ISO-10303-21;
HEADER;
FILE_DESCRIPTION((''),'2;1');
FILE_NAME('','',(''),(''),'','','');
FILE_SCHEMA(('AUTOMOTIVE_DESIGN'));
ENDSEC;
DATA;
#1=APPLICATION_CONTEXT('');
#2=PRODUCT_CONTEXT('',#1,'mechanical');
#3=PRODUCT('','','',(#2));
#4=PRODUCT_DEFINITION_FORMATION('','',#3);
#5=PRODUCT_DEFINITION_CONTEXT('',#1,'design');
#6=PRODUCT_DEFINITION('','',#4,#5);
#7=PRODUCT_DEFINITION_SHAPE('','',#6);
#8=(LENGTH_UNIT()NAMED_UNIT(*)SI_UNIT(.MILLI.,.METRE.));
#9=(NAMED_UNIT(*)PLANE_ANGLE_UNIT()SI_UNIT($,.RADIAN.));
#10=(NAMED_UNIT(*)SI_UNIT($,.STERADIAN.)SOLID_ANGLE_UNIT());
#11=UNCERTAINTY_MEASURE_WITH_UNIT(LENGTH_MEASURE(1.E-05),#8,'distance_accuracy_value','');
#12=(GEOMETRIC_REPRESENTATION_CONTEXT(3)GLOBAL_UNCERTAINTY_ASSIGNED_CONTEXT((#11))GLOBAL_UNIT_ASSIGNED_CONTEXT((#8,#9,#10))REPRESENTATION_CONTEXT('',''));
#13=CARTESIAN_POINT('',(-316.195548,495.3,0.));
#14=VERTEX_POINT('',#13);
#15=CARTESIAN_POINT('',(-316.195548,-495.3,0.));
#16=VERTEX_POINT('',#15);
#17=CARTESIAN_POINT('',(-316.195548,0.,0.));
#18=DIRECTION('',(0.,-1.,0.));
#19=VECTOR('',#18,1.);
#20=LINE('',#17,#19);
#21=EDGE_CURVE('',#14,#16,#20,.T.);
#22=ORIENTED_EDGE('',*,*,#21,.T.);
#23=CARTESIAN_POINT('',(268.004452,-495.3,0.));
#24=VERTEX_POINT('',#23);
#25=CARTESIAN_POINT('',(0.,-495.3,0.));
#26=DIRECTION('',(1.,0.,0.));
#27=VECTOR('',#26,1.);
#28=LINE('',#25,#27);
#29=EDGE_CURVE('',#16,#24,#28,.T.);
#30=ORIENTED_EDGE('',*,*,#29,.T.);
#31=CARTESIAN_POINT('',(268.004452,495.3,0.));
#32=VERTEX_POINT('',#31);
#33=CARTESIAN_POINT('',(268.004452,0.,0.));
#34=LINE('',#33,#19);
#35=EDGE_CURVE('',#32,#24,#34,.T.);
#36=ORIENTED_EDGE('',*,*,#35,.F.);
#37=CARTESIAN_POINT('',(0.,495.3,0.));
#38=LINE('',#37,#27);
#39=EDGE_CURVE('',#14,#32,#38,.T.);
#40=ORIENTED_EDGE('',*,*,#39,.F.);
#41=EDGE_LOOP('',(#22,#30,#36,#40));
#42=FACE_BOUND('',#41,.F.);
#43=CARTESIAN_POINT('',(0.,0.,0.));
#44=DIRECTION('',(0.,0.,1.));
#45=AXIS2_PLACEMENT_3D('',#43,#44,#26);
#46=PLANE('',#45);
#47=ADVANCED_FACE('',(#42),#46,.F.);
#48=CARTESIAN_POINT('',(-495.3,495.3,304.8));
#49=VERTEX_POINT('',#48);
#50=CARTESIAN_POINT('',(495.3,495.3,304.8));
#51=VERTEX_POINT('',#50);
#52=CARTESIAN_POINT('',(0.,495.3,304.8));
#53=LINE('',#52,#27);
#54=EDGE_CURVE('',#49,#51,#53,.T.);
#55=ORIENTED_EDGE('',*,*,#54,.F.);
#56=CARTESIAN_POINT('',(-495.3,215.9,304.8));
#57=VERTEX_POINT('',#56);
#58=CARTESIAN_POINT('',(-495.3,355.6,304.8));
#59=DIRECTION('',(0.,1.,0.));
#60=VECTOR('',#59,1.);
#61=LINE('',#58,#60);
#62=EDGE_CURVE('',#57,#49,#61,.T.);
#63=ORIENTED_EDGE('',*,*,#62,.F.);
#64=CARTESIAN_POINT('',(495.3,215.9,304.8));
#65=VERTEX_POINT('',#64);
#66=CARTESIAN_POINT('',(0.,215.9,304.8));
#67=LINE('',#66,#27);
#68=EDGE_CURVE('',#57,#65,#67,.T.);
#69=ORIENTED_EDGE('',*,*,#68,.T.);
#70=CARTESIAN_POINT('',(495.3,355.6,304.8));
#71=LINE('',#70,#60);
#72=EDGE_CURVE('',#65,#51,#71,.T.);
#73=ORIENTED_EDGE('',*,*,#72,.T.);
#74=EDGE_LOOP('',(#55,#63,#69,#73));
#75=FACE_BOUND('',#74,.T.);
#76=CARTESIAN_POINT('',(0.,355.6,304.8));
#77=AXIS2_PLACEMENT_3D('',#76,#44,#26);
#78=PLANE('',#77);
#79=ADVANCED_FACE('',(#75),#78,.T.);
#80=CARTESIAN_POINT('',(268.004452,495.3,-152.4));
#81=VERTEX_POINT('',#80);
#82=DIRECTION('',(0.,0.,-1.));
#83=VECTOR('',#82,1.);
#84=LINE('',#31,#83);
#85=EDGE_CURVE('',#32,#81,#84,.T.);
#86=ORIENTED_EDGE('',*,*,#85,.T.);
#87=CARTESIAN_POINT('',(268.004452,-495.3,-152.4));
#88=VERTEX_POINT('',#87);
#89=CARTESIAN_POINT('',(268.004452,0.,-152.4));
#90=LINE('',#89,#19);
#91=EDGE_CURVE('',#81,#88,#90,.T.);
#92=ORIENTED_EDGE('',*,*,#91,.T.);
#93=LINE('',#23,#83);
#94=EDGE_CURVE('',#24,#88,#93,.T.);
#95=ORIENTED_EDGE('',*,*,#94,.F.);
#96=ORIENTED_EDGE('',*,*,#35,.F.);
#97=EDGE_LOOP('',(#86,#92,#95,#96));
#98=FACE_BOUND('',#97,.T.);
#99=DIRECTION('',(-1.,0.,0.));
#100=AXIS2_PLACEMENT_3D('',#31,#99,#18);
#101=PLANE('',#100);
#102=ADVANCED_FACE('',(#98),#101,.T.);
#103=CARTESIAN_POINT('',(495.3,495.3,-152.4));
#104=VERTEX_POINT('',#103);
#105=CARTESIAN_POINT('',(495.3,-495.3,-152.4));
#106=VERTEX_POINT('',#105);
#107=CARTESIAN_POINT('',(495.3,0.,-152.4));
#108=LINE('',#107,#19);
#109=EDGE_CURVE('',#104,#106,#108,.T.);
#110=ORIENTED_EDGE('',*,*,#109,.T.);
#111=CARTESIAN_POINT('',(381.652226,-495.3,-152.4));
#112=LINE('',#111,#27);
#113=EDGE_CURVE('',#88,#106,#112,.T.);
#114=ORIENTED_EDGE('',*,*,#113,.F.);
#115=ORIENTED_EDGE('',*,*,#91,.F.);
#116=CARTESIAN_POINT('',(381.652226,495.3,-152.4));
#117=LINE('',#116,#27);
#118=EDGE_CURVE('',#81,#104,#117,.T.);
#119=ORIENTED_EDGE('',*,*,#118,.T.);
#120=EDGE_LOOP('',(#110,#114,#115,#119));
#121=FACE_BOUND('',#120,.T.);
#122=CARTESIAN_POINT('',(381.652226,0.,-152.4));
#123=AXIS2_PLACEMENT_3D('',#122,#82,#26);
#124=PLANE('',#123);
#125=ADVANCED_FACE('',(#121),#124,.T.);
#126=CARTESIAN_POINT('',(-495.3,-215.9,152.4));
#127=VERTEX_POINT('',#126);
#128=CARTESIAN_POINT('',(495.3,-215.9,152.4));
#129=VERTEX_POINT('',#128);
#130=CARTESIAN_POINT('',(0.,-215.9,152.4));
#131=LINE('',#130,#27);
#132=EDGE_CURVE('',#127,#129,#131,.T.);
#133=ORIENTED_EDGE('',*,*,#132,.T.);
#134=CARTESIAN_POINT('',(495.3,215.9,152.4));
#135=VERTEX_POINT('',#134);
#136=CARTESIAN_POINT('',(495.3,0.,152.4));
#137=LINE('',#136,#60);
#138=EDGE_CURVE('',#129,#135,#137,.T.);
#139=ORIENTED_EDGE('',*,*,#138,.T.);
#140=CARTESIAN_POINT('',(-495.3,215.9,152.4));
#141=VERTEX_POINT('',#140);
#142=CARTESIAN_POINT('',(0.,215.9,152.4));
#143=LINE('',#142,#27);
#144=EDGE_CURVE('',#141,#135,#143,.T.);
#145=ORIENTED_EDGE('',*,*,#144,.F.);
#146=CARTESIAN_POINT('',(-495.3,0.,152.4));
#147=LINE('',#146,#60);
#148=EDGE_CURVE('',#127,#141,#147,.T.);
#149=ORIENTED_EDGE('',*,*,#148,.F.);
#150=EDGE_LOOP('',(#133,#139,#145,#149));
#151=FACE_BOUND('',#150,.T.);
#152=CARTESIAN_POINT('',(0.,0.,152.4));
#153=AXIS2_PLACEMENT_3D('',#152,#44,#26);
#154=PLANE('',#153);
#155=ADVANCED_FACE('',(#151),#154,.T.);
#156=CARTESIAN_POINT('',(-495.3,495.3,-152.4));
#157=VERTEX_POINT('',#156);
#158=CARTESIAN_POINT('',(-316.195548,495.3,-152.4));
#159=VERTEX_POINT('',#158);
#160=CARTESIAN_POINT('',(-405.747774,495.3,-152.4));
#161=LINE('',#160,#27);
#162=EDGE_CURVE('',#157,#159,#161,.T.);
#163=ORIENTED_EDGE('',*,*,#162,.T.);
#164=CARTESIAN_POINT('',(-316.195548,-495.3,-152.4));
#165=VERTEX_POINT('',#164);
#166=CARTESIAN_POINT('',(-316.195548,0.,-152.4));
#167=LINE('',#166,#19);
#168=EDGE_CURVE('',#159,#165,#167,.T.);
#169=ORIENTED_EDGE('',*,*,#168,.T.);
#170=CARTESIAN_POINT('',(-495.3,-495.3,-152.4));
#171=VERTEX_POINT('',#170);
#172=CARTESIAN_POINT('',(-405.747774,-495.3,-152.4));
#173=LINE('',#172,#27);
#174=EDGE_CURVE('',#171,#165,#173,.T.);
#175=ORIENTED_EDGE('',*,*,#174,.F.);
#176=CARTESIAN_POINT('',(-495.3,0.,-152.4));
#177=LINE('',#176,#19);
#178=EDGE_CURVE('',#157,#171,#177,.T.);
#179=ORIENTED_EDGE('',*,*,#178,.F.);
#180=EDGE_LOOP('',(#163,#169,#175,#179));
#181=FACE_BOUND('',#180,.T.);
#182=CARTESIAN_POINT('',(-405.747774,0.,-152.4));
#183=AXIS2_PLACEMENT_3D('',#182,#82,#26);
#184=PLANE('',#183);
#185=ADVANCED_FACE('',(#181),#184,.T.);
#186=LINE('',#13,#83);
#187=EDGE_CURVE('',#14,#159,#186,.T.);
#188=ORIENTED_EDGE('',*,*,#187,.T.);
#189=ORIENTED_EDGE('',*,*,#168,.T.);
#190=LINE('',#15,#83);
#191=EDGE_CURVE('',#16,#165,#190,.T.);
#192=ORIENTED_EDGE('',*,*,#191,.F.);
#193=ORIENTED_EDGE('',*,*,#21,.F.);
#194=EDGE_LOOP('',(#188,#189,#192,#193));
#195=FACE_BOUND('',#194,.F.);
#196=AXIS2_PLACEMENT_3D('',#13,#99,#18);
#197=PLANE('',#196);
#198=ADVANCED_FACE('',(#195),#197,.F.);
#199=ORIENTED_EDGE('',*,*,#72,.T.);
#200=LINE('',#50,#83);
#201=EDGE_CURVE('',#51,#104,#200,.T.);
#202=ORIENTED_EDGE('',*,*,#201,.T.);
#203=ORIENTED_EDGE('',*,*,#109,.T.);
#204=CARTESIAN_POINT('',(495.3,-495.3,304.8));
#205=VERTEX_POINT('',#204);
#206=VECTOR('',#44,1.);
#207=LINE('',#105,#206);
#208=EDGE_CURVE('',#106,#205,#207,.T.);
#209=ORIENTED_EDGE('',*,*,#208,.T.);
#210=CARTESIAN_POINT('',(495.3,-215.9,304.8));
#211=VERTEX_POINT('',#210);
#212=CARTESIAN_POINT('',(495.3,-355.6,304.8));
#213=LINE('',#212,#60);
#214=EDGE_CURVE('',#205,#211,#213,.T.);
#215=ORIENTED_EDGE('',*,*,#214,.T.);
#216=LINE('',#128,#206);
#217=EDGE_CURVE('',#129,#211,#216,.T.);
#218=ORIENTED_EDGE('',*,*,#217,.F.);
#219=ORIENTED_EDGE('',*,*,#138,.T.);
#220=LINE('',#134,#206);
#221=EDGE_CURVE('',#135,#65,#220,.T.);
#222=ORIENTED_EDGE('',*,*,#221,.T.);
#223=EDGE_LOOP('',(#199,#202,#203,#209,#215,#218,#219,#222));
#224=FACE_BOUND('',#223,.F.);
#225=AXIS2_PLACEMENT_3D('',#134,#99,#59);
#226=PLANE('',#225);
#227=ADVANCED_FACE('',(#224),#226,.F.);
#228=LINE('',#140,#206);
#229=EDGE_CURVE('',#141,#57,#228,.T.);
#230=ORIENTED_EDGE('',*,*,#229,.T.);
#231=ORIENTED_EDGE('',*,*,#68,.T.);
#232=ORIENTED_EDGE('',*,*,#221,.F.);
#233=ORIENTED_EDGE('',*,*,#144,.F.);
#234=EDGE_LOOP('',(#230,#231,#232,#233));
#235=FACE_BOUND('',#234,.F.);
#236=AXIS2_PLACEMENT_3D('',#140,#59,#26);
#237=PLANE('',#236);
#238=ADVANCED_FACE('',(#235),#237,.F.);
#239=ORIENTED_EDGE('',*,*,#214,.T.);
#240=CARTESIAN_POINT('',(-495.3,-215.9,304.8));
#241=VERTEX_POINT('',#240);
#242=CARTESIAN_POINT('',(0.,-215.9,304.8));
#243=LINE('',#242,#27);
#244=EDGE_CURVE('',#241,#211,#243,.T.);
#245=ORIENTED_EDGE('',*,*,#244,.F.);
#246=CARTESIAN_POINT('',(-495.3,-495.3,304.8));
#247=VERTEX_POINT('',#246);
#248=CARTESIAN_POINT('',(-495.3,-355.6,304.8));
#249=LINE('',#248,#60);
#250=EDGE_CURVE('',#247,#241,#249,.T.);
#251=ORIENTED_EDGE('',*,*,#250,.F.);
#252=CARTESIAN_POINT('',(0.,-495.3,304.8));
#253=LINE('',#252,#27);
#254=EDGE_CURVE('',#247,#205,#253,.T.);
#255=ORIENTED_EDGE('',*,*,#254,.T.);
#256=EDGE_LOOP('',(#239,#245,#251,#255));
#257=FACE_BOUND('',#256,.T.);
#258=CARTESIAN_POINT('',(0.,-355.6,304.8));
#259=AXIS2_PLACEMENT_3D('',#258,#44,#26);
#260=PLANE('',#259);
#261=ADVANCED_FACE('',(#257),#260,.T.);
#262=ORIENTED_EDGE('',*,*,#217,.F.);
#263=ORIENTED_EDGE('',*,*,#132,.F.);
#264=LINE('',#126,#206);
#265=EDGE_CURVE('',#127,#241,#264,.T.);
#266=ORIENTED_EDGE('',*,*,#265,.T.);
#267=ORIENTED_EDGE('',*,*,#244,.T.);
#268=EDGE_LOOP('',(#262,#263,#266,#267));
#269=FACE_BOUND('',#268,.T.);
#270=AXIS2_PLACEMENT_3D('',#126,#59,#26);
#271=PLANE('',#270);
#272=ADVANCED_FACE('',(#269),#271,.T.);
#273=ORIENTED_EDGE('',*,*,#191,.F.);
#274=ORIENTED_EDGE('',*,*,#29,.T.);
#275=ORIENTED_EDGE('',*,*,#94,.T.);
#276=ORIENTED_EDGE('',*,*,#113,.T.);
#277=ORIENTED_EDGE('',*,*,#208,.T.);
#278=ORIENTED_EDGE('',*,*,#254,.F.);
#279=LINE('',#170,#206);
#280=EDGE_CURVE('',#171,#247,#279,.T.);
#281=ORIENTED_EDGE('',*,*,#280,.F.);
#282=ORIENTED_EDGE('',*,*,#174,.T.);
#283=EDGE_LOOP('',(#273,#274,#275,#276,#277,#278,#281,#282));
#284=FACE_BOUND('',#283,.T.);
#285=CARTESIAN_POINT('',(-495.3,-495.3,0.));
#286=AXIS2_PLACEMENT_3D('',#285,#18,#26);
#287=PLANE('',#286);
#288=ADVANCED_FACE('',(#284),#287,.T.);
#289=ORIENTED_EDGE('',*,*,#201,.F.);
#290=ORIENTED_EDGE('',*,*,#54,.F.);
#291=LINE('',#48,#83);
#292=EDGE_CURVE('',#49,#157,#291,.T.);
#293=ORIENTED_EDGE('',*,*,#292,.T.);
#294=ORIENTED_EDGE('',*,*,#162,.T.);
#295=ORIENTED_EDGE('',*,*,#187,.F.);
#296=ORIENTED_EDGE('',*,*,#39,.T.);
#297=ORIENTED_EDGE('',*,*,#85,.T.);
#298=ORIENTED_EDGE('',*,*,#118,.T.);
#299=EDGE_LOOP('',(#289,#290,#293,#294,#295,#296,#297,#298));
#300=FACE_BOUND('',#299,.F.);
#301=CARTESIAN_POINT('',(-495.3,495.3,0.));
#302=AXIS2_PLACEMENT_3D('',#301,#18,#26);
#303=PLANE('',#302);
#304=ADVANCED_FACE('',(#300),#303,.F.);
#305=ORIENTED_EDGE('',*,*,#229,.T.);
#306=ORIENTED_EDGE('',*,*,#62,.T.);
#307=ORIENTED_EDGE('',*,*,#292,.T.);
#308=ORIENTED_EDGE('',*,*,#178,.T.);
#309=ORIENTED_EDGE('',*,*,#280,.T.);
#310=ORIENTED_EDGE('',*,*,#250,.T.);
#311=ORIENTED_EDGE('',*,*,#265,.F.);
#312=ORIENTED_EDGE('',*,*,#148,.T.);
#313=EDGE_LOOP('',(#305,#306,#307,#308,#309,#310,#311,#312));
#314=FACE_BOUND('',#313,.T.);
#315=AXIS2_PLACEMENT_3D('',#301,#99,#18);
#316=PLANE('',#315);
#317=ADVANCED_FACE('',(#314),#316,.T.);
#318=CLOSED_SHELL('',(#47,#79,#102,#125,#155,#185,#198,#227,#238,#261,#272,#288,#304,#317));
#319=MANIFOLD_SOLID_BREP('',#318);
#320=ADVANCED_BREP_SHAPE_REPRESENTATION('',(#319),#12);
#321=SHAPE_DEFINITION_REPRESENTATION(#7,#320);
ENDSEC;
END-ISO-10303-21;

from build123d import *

# Parameters (mm, degrees)
F0_W     = 990.6
F0_H     = 990.6
F1_DEPTH = 152.4
F2_W     = 990.6
F2_H     = 279.4
F3_DEPTH = 152.4
F4_W     = 179.104452
F4_H     = 990.6
F4_W_2   = 227.295548
F5_DEPTH = 152.4


with BuildPart() as f1:
    # F0 (on Top) → F1 (new body)
    with BuildSketch(Plane.XY):
        Rectangle(F0_W, F0_H)
    extrude(amount=F1_DEPTH)

    # F2 (on face) → F3 (join)
    with BuildSketch(Plane.XY.offset(152.4)):
        with Locations((0, 355.6)):
            Rectangle(F2_W, F2_H)
        with Locations((0, -355.6)):
            Rectangle(F2_W, F2_H)
    extrude(amount=F3_DEPTH)

    # F4 (on face) → F5 (join)
    with BuildSketch(Plane(origin=(0, 0, 0), x_dir=(1, 0, 0), z_dir=(0, 0, -1))):
        with Locations((-405.747774, 0)):
            Rectangle(F4_W, F4_H)
        with Locations((381.652226, 0)):
            Rectangle(F4_W_2, F4_H)
    extrude(amount=F5_DEPTH)


solid = f1.part
